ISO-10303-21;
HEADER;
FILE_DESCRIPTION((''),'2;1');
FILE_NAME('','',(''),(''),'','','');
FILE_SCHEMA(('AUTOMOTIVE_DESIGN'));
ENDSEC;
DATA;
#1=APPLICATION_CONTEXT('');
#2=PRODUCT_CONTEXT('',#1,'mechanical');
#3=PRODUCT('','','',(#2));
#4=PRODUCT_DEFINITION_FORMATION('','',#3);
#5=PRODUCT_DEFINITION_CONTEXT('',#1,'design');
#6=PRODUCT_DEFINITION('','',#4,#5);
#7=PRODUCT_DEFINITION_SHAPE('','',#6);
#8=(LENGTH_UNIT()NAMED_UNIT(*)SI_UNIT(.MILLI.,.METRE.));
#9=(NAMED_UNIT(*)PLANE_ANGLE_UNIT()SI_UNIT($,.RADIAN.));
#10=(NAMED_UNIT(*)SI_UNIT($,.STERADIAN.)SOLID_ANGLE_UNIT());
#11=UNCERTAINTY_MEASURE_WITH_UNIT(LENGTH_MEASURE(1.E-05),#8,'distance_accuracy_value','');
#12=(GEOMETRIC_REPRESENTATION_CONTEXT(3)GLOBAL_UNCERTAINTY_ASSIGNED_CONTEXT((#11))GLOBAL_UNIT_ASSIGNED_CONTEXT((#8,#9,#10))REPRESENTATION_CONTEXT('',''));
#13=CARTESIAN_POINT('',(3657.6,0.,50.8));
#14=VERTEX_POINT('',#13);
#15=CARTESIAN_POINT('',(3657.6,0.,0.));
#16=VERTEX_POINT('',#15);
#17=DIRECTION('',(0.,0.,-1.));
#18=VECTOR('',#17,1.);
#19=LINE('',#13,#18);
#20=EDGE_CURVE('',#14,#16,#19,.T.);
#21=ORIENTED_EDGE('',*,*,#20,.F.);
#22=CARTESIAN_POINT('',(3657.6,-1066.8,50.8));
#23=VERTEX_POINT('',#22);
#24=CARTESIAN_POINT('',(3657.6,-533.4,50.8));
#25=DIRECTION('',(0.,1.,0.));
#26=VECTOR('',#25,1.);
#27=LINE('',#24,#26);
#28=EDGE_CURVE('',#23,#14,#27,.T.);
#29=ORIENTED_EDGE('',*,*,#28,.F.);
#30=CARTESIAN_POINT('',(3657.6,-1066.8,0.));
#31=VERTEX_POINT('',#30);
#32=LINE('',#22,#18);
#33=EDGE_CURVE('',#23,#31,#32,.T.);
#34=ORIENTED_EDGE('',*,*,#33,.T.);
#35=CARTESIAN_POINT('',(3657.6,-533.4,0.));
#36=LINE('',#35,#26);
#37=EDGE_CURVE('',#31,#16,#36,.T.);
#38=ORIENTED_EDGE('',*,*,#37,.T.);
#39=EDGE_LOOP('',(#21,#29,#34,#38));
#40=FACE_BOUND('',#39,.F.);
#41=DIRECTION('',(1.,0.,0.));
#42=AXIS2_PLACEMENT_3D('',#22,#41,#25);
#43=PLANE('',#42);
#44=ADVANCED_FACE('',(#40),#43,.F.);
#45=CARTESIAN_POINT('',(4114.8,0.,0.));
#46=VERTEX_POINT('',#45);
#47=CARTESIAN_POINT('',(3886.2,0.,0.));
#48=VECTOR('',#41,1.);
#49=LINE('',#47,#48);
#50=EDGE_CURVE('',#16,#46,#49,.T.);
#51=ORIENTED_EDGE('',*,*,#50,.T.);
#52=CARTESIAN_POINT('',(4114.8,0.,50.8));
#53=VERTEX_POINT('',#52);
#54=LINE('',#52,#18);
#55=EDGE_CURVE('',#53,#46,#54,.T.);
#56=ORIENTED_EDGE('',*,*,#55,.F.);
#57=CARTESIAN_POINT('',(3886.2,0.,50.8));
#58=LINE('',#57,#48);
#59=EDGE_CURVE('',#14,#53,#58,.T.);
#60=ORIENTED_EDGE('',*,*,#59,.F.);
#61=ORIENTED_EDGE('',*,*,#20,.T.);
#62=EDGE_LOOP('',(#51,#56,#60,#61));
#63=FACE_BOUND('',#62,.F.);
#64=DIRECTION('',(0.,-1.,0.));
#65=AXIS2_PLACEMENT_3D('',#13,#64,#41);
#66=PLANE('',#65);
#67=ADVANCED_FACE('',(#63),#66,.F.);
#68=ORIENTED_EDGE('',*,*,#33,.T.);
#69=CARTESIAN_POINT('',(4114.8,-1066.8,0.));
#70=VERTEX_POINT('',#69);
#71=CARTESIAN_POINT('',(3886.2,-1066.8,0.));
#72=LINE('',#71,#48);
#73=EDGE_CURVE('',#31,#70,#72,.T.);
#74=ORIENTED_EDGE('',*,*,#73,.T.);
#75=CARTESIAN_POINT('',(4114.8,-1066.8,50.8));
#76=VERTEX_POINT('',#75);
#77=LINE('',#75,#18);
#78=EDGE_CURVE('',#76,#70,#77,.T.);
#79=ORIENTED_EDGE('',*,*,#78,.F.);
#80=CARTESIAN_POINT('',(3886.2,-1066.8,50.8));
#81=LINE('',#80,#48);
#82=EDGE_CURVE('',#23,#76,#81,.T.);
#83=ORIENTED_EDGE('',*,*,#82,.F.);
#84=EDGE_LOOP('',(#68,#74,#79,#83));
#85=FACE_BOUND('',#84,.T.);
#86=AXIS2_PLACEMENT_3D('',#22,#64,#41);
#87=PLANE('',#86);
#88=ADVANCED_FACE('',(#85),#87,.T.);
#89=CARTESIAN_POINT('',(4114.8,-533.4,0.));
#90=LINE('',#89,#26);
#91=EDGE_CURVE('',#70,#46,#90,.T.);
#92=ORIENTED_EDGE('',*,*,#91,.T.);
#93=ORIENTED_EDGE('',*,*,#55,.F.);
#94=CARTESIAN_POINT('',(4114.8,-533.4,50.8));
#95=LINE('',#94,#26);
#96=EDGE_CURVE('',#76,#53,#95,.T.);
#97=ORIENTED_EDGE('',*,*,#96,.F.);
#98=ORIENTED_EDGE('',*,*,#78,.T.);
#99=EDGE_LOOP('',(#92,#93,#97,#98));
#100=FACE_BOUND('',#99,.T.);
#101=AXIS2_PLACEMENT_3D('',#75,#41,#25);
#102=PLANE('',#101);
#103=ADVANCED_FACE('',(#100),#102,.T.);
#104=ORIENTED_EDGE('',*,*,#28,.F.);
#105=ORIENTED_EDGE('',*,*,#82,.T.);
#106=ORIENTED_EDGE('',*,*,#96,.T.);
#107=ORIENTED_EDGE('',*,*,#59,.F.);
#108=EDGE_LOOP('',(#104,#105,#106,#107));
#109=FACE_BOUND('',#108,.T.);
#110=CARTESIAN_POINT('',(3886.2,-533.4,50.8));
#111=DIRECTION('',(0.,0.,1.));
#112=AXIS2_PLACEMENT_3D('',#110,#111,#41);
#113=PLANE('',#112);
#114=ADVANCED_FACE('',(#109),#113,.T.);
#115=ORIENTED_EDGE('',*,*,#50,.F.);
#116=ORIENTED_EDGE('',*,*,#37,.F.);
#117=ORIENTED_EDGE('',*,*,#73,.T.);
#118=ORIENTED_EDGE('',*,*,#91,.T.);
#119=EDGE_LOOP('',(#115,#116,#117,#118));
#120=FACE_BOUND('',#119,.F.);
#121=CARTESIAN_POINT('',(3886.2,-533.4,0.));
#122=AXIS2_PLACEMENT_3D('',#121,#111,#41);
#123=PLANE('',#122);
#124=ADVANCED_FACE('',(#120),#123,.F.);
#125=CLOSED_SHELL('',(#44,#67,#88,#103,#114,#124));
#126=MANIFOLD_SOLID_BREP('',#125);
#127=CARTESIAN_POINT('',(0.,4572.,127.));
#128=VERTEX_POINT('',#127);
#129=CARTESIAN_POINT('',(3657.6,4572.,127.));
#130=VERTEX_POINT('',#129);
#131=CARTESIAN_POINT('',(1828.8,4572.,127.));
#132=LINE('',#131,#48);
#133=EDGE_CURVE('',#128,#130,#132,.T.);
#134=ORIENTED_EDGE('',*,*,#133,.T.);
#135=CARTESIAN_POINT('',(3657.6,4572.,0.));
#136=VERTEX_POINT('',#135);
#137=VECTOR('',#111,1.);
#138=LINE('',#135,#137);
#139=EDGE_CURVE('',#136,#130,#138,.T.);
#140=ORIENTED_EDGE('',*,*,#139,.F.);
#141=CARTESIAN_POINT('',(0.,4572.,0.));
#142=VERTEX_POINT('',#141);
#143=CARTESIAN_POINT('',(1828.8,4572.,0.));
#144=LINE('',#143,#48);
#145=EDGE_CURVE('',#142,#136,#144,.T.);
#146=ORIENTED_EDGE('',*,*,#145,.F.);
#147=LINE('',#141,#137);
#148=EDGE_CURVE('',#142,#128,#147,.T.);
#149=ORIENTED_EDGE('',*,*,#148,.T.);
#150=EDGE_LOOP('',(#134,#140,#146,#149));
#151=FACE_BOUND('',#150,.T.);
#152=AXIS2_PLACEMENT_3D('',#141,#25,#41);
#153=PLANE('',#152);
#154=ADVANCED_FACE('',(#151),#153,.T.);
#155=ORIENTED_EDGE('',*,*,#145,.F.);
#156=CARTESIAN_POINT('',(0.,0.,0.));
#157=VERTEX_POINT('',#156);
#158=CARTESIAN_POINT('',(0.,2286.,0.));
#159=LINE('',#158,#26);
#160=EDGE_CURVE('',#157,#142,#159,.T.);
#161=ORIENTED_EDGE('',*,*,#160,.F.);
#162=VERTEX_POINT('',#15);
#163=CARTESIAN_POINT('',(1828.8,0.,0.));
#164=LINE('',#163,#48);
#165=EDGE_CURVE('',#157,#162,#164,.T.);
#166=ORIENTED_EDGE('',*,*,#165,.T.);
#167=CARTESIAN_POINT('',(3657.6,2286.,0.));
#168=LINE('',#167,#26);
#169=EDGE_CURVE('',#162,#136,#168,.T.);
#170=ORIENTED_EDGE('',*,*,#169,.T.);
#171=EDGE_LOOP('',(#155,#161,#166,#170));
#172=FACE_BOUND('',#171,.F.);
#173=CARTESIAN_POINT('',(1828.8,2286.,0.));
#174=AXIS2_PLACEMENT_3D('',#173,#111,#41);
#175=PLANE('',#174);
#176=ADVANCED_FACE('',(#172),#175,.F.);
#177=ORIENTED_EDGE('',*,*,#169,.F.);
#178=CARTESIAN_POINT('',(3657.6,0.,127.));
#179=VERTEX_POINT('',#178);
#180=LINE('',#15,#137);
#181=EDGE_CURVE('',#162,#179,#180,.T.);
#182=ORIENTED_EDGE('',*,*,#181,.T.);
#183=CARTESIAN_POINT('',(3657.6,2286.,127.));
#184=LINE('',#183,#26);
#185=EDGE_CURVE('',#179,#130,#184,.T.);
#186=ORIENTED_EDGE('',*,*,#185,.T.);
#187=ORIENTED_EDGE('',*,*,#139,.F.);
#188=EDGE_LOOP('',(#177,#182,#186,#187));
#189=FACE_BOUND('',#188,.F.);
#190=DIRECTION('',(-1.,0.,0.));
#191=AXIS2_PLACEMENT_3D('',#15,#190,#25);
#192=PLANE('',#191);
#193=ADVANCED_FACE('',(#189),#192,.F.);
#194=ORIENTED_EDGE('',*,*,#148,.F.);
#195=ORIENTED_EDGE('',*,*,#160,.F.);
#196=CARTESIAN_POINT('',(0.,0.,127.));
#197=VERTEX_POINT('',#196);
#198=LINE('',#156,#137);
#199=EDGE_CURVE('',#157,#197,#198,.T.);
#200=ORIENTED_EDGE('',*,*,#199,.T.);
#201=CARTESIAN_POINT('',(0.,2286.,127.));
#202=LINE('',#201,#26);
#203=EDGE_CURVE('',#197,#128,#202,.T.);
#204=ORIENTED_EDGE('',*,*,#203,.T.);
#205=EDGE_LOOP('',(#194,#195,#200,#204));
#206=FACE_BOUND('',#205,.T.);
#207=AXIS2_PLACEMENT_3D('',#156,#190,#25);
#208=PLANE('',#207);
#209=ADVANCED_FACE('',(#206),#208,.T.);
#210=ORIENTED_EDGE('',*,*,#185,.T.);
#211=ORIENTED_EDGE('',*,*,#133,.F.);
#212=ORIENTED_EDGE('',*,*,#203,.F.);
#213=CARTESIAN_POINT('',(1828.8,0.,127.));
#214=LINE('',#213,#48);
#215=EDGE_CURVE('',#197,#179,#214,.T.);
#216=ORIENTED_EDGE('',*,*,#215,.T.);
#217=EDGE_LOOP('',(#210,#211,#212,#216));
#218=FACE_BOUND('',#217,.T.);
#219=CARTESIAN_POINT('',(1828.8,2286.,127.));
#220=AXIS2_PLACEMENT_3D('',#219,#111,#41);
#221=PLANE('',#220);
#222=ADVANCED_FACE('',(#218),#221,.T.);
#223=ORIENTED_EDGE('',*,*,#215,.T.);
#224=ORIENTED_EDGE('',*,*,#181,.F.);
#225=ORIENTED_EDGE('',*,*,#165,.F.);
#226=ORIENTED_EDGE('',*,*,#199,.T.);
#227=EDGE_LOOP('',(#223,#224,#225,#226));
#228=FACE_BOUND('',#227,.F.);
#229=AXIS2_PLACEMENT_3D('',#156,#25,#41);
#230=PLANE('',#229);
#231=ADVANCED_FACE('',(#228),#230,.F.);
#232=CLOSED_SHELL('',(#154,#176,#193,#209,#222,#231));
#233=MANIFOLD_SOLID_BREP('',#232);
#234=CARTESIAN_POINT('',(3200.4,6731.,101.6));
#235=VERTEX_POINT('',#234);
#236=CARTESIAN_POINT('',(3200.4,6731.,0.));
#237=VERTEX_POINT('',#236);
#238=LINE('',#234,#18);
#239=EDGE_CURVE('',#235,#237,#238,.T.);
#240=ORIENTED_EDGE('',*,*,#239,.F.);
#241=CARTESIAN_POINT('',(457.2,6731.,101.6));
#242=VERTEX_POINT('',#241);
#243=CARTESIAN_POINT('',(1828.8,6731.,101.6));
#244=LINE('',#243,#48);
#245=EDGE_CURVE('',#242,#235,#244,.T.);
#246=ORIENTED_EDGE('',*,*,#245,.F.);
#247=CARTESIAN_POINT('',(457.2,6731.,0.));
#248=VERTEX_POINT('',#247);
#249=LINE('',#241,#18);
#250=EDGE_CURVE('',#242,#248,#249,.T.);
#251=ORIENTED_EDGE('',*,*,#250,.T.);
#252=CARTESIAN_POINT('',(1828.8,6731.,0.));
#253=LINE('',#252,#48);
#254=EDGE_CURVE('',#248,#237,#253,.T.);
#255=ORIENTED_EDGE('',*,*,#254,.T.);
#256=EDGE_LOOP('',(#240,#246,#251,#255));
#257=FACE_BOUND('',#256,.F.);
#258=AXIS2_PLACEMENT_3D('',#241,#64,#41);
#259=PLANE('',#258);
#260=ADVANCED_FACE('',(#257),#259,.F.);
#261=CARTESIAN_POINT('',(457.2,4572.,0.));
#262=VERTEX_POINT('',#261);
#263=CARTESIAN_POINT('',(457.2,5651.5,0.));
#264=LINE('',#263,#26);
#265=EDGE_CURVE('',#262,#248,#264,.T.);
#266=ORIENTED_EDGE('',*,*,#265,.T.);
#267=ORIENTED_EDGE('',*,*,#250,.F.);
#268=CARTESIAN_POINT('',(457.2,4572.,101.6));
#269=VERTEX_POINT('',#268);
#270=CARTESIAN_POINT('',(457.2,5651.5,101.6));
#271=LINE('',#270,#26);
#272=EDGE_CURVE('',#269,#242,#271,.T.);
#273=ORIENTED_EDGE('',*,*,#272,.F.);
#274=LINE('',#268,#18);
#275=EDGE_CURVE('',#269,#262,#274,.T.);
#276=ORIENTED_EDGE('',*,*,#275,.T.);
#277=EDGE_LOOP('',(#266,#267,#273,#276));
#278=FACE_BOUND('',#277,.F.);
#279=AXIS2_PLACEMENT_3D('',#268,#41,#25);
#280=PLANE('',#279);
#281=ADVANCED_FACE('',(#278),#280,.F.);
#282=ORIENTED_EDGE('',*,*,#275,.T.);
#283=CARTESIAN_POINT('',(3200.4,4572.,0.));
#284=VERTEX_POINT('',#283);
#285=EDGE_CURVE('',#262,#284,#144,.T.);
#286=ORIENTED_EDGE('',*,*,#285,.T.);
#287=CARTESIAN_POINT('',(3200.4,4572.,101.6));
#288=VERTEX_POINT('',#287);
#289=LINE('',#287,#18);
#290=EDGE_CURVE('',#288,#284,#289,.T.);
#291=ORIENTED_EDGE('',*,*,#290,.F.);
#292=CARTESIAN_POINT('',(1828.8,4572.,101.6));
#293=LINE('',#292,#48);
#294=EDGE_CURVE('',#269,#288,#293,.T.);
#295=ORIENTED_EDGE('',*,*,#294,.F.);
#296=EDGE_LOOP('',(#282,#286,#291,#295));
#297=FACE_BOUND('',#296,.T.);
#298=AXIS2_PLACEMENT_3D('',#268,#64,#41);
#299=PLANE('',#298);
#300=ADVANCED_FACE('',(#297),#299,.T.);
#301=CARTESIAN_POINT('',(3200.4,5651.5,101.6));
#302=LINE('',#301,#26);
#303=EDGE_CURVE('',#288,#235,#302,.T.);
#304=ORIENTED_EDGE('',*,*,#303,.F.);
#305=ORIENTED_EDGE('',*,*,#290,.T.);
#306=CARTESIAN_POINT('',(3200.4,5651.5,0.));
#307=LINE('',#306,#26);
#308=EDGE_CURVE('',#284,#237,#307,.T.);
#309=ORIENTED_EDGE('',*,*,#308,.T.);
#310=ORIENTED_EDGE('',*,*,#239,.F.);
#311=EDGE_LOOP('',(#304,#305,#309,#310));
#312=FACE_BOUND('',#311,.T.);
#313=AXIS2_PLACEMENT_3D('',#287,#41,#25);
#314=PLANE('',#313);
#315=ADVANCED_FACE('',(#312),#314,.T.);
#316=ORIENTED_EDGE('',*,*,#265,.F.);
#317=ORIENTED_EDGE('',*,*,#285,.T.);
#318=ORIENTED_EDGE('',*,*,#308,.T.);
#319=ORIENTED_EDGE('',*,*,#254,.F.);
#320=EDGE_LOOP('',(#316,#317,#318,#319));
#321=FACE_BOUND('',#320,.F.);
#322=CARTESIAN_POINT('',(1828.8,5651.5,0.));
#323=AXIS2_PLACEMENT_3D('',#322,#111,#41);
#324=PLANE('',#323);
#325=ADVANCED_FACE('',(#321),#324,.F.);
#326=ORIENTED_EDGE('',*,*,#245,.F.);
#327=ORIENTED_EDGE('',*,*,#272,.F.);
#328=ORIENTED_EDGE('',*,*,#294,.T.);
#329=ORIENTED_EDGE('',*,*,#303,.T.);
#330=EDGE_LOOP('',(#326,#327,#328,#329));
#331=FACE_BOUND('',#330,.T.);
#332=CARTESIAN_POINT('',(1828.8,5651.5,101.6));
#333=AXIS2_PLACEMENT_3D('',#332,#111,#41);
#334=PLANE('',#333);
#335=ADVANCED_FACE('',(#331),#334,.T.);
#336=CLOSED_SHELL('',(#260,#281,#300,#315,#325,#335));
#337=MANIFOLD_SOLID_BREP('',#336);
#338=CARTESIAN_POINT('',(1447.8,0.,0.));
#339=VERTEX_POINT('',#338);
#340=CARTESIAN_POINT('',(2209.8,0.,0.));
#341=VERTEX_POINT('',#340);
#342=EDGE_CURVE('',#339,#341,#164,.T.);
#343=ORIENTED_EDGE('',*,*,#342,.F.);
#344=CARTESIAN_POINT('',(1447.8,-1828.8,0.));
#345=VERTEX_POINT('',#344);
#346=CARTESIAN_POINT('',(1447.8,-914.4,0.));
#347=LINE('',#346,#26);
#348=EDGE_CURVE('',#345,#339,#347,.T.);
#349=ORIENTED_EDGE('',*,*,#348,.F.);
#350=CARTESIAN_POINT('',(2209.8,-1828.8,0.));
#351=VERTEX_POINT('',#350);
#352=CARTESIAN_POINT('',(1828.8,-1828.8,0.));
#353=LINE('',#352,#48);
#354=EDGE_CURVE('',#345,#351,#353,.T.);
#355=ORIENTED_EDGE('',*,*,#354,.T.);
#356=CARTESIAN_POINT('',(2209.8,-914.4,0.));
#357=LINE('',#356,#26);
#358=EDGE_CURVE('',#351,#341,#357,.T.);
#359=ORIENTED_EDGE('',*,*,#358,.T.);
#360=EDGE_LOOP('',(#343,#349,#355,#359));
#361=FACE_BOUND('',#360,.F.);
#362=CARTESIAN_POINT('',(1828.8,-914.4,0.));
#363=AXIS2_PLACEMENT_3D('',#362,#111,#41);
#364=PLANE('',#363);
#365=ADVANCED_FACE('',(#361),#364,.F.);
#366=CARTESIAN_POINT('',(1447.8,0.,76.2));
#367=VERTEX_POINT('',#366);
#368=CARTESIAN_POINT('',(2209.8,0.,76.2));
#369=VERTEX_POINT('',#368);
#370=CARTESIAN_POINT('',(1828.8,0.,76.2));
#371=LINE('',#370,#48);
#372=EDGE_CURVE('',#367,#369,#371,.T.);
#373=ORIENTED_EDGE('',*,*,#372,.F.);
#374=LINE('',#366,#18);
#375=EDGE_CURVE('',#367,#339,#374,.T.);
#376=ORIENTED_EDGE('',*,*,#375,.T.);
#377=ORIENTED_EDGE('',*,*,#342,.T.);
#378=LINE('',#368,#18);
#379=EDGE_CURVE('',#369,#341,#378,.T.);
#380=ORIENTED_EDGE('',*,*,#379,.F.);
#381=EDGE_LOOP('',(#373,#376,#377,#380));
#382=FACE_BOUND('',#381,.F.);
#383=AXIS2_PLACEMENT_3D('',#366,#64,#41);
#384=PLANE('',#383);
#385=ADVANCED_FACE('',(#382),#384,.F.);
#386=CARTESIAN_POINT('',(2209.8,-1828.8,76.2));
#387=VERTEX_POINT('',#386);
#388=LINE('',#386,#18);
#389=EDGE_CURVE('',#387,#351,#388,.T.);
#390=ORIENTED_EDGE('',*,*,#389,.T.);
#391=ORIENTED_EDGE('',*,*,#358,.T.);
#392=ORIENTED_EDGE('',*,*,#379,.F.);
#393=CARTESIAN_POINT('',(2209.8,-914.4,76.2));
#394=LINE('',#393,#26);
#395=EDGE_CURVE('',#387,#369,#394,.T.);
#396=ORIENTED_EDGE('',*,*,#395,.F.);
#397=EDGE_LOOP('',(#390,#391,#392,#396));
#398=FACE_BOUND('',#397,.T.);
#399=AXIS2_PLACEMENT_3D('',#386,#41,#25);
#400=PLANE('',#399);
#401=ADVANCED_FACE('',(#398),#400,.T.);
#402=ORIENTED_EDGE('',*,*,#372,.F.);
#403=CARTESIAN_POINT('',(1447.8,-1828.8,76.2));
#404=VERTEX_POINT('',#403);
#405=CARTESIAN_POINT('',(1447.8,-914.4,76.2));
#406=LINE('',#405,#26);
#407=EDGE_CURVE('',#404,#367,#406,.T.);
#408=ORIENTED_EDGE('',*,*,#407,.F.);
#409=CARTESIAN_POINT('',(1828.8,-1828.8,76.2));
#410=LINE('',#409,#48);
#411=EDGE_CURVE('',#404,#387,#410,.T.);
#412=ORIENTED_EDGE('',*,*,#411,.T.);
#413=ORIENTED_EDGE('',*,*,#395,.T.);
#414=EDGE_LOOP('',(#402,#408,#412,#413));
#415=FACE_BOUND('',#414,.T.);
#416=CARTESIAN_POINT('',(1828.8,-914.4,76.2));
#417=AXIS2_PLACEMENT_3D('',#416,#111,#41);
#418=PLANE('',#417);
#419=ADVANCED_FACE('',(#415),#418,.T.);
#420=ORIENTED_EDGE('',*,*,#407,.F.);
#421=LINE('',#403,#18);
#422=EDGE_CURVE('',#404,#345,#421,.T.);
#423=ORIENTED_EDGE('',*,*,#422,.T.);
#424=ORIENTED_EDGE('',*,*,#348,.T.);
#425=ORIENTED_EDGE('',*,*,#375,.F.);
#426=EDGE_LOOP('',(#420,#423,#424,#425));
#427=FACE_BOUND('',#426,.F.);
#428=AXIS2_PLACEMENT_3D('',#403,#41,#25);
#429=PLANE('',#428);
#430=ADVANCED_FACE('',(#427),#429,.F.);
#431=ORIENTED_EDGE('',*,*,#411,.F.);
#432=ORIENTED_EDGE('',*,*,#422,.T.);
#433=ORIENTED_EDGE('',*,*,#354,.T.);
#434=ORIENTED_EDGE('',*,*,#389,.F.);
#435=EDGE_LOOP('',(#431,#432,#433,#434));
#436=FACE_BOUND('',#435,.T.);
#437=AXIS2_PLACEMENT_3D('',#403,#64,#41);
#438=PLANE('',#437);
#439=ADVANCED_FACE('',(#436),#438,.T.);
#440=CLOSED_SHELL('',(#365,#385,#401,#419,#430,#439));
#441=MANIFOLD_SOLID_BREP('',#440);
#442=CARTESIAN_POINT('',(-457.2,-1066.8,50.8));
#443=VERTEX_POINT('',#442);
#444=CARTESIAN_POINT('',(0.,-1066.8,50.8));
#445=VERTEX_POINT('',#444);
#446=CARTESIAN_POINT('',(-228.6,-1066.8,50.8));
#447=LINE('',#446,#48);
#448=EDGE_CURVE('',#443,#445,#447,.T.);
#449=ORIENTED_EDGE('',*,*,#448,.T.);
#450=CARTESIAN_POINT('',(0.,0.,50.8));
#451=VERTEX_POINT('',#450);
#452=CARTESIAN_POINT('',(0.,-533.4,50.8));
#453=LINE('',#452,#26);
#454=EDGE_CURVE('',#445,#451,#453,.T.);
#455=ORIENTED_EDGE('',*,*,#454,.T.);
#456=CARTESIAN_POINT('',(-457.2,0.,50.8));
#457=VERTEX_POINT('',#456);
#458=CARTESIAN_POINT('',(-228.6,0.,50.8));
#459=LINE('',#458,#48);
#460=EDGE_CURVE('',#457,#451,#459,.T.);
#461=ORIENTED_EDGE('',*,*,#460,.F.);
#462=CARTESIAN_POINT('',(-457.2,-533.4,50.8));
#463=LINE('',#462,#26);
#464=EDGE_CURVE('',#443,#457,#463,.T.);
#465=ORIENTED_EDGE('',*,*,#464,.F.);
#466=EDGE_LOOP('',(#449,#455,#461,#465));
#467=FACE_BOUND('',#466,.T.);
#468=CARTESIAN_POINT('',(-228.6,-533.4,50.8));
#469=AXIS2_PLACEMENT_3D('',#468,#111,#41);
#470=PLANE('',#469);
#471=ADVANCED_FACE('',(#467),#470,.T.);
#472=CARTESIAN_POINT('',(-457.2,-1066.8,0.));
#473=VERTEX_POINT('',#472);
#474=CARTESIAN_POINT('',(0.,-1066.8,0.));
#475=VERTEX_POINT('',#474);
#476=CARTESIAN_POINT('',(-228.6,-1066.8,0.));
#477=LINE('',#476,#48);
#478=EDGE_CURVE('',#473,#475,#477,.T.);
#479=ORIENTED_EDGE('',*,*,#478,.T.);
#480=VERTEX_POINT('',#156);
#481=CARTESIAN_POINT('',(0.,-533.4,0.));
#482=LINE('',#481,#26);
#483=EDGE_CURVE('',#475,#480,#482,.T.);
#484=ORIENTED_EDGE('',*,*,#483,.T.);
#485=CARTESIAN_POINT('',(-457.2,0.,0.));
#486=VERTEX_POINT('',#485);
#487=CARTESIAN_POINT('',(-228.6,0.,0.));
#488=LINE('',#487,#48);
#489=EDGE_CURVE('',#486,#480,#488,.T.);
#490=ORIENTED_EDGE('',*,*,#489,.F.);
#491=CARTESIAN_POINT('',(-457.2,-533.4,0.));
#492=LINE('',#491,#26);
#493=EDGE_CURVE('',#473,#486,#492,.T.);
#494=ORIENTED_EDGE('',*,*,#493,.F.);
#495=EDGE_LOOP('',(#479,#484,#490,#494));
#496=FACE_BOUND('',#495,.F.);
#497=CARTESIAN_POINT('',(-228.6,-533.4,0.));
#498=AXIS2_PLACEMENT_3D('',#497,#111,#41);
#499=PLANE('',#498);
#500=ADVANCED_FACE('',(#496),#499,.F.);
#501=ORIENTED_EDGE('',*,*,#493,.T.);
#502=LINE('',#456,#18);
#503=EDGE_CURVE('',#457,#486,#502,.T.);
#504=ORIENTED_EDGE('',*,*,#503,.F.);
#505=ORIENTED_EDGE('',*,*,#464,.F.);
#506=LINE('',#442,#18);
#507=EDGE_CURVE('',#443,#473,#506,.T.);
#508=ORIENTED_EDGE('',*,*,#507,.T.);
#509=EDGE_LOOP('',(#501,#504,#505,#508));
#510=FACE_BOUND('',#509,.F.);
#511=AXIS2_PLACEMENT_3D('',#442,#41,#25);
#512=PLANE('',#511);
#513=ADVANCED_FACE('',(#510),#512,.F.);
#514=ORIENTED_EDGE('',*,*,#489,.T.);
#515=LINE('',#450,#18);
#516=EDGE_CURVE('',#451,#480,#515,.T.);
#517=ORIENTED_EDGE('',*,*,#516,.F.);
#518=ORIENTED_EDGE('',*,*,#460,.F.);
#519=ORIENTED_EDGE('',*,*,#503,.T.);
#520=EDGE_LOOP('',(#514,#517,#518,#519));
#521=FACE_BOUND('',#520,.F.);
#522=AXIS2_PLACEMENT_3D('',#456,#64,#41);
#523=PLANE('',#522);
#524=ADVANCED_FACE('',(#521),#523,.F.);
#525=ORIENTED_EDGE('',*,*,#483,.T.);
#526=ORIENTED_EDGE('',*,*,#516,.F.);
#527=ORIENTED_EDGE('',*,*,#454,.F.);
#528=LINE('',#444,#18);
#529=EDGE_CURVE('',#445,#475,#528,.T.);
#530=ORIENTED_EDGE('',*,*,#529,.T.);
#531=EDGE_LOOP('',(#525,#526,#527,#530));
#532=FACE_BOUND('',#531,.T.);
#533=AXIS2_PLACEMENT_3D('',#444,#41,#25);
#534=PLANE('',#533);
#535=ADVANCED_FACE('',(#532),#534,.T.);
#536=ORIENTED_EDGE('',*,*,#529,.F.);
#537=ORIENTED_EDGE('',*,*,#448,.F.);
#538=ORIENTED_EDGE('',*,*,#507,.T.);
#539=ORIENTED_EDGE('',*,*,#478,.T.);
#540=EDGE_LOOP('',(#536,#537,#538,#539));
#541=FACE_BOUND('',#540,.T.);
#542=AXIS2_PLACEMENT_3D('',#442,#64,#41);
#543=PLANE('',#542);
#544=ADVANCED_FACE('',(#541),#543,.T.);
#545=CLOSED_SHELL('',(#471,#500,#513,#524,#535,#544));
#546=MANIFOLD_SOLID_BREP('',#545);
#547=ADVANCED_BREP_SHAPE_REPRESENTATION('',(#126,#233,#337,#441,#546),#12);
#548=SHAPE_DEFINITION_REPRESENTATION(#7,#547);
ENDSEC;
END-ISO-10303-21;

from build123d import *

# Parameters (mm, degrees)
F0_W     = 3657.6
F0_H     = 4572
F1_DEPTH = 127
F3_START = -25.4
F2_W     = 2743.2
F2_H     = 2159
F3_DEPTH = 101.6
F5_START = -50.8
F4_W     = 762
F4_H     = 1828.8
F5_DEPTH = 76.2
F7_START = -76.2
F6_W     = 457.2
F6_H     = 1066.8
F7_DEPTH = 50.8


with BuildPart() as f1:
    # F0 (on Top) → F1 (new body)
    with BuildSketch(Plane.XY):
        with Locations((1828.8, 2286)):
            Rectangle(F0_W, F0_H)
    extrude(amount=F1_DEPTH)


with BuildPart() as f3:
    # F2 (on face) → F3 (new body)
    with BuildSketch(Plane.XY.offset(127).offset(F3_START)):
        with Locations((1828.8, 5651.5)):
            Rectangle(F2_W, F2_H)
    extrude(amount=-F3_DEPTH)


with BuildPart() as f5:
    # F4 (on face) → F5 (new body)
    with BuildSketch(Plane.XY.offset(127).offset(F5_START)):
        with Locations((1828.8, -914.4)):
            Rectangle(F4_W, F4_H)
    extrude(amount=-F5_DEPTH)


with BuildPart() as f7:
    # F6 (on face) → F7 (new body)
    with BuildSketch(Plane.XY.offset(127).offset(F7_START)):
        with Locations((3886.2, -533.4)):
            Rectangle(F6_W, F6_H)
    extrude(amount=-F7_DEPTH)


with BuildPart() as f7b:
    # F6 (on face) → F7, piece 2 (new body)
    with BuildSketch(Plane.XY.offset(127).offset(F7_START)):
        with Locations((-228.6, -533.4)):
            Rectangle(F6_W, F6_H)
    extrude(amount=-F7_DEPTH)


solid = Compound([f1.part, f3.part, f5.part, f7.part, f7b.part])
